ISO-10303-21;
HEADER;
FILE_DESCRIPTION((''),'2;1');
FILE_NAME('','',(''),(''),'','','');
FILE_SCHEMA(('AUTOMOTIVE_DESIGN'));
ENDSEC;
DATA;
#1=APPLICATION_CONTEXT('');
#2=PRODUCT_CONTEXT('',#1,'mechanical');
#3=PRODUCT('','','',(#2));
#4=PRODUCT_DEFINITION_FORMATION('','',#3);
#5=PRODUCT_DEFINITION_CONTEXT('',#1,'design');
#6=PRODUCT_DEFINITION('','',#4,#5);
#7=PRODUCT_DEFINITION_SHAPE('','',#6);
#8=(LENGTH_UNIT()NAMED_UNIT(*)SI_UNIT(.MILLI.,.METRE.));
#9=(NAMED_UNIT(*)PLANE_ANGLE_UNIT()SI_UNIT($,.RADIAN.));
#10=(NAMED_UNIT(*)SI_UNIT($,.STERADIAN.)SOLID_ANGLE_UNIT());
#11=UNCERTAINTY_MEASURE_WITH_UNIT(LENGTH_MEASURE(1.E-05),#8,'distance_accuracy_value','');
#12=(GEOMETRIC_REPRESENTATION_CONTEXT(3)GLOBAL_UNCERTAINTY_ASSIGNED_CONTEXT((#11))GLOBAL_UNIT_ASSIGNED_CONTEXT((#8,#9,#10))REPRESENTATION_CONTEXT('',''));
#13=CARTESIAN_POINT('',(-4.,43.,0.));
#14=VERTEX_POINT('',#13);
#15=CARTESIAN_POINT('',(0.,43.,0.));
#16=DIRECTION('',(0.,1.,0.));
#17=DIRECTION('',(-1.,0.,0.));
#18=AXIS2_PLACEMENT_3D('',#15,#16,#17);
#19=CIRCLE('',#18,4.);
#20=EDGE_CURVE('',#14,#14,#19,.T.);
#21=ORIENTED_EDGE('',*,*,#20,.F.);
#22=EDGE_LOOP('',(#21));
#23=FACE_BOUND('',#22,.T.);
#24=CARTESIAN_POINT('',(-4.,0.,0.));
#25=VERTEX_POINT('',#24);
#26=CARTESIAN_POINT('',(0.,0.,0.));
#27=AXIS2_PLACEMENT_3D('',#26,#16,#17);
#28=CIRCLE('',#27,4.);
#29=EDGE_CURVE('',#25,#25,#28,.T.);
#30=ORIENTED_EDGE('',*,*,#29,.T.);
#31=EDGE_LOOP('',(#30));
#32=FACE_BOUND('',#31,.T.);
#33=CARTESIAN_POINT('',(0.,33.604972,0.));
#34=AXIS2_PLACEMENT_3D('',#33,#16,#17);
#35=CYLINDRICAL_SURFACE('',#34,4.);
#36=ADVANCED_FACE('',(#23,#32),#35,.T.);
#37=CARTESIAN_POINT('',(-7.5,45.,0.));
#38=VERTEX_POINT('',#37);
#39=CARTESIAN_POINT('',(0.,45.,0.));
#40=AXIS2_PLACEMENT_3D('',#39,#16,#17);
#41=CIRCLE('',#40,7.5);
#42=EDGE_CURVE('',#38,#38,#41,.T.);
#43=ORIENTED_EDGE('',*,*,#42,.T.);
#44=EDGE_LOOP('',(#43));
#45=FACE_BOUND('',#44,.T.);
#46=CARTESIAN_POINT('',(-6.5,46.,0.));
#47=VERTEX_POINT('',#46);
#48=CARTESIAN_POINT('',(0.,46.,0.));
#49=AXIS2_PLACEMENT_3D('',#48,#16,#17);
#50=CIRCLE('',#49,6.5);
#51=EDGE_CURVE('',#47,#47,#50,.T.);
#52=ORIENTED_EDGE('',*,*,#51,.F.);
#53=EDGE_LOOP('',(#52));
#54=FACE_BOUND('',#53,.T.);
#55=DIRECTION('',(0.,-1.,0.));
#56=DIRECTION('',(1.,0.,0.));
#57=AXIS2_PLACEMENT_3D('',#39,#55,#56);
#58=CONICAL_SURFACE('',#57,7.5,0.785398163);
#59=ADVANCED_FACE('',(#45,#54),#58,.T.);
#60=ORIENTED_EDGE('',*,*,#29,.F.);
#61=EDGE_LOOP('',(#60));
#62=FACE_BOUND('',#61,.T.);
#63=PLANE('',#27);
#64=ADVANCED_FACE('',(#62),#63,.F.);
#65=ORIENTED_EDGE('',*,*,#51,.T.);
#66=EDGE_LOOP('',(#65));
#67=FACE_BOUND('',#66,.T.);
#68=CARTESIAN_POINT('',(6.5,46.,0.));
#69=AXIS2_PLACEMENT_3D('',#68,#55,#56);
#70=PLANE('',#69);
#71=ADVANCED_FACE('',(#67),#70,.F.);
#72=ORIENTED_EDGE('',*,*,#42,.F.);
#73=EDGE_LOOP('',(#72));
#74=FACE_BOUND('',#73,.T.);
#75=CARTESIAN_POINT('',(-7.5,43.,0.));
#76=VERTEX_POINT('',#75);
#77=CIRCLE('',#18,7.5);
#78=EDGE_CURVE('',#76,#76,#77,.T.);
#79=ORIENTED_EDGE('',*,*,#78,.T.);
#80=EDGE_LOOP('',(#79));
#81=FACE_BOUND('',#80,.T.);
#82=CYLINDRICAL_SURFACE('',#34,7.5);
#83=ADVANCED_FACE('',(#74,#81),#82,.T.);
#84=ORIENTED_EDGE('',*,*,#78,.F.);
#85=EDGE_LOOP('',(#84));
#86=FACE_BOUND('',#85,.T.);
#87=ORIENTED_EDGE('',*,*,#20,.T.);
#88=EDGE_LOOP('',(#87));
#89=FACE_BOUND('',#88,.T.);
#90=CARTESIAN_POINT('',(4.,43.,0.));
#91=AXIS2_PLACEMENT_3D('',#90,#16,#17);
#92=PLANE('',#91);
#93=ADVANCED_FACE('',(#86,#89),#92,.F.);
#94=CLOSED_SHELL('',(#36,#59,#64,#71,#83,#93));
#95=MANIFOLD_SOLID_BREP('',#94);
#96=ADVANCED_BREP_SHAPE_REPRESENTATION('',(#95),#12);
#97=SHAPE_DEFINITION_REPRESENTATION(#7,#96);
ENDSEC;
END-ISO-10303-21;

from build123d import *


with BuildPart() as part:
    # Sketch1 → Revolve1 (revolve)
    with BuildSketch(Plane.XY, mode=Mode.PRIVATE) as revolve1_sk:
        Polygon((0, 0), (4, 0), (4, 43), (7.5, 43), (7.5, 45), (6.5, 46), (0, 46), align=None)
    revolve(revolve1_sk.sketch.rotate(Axis((0, 33.604972013, 0), (0, -1, 0)), 180), axis=Axis((0, 33.604972013, 0), (0, -1, 0)))


solid = part.part
